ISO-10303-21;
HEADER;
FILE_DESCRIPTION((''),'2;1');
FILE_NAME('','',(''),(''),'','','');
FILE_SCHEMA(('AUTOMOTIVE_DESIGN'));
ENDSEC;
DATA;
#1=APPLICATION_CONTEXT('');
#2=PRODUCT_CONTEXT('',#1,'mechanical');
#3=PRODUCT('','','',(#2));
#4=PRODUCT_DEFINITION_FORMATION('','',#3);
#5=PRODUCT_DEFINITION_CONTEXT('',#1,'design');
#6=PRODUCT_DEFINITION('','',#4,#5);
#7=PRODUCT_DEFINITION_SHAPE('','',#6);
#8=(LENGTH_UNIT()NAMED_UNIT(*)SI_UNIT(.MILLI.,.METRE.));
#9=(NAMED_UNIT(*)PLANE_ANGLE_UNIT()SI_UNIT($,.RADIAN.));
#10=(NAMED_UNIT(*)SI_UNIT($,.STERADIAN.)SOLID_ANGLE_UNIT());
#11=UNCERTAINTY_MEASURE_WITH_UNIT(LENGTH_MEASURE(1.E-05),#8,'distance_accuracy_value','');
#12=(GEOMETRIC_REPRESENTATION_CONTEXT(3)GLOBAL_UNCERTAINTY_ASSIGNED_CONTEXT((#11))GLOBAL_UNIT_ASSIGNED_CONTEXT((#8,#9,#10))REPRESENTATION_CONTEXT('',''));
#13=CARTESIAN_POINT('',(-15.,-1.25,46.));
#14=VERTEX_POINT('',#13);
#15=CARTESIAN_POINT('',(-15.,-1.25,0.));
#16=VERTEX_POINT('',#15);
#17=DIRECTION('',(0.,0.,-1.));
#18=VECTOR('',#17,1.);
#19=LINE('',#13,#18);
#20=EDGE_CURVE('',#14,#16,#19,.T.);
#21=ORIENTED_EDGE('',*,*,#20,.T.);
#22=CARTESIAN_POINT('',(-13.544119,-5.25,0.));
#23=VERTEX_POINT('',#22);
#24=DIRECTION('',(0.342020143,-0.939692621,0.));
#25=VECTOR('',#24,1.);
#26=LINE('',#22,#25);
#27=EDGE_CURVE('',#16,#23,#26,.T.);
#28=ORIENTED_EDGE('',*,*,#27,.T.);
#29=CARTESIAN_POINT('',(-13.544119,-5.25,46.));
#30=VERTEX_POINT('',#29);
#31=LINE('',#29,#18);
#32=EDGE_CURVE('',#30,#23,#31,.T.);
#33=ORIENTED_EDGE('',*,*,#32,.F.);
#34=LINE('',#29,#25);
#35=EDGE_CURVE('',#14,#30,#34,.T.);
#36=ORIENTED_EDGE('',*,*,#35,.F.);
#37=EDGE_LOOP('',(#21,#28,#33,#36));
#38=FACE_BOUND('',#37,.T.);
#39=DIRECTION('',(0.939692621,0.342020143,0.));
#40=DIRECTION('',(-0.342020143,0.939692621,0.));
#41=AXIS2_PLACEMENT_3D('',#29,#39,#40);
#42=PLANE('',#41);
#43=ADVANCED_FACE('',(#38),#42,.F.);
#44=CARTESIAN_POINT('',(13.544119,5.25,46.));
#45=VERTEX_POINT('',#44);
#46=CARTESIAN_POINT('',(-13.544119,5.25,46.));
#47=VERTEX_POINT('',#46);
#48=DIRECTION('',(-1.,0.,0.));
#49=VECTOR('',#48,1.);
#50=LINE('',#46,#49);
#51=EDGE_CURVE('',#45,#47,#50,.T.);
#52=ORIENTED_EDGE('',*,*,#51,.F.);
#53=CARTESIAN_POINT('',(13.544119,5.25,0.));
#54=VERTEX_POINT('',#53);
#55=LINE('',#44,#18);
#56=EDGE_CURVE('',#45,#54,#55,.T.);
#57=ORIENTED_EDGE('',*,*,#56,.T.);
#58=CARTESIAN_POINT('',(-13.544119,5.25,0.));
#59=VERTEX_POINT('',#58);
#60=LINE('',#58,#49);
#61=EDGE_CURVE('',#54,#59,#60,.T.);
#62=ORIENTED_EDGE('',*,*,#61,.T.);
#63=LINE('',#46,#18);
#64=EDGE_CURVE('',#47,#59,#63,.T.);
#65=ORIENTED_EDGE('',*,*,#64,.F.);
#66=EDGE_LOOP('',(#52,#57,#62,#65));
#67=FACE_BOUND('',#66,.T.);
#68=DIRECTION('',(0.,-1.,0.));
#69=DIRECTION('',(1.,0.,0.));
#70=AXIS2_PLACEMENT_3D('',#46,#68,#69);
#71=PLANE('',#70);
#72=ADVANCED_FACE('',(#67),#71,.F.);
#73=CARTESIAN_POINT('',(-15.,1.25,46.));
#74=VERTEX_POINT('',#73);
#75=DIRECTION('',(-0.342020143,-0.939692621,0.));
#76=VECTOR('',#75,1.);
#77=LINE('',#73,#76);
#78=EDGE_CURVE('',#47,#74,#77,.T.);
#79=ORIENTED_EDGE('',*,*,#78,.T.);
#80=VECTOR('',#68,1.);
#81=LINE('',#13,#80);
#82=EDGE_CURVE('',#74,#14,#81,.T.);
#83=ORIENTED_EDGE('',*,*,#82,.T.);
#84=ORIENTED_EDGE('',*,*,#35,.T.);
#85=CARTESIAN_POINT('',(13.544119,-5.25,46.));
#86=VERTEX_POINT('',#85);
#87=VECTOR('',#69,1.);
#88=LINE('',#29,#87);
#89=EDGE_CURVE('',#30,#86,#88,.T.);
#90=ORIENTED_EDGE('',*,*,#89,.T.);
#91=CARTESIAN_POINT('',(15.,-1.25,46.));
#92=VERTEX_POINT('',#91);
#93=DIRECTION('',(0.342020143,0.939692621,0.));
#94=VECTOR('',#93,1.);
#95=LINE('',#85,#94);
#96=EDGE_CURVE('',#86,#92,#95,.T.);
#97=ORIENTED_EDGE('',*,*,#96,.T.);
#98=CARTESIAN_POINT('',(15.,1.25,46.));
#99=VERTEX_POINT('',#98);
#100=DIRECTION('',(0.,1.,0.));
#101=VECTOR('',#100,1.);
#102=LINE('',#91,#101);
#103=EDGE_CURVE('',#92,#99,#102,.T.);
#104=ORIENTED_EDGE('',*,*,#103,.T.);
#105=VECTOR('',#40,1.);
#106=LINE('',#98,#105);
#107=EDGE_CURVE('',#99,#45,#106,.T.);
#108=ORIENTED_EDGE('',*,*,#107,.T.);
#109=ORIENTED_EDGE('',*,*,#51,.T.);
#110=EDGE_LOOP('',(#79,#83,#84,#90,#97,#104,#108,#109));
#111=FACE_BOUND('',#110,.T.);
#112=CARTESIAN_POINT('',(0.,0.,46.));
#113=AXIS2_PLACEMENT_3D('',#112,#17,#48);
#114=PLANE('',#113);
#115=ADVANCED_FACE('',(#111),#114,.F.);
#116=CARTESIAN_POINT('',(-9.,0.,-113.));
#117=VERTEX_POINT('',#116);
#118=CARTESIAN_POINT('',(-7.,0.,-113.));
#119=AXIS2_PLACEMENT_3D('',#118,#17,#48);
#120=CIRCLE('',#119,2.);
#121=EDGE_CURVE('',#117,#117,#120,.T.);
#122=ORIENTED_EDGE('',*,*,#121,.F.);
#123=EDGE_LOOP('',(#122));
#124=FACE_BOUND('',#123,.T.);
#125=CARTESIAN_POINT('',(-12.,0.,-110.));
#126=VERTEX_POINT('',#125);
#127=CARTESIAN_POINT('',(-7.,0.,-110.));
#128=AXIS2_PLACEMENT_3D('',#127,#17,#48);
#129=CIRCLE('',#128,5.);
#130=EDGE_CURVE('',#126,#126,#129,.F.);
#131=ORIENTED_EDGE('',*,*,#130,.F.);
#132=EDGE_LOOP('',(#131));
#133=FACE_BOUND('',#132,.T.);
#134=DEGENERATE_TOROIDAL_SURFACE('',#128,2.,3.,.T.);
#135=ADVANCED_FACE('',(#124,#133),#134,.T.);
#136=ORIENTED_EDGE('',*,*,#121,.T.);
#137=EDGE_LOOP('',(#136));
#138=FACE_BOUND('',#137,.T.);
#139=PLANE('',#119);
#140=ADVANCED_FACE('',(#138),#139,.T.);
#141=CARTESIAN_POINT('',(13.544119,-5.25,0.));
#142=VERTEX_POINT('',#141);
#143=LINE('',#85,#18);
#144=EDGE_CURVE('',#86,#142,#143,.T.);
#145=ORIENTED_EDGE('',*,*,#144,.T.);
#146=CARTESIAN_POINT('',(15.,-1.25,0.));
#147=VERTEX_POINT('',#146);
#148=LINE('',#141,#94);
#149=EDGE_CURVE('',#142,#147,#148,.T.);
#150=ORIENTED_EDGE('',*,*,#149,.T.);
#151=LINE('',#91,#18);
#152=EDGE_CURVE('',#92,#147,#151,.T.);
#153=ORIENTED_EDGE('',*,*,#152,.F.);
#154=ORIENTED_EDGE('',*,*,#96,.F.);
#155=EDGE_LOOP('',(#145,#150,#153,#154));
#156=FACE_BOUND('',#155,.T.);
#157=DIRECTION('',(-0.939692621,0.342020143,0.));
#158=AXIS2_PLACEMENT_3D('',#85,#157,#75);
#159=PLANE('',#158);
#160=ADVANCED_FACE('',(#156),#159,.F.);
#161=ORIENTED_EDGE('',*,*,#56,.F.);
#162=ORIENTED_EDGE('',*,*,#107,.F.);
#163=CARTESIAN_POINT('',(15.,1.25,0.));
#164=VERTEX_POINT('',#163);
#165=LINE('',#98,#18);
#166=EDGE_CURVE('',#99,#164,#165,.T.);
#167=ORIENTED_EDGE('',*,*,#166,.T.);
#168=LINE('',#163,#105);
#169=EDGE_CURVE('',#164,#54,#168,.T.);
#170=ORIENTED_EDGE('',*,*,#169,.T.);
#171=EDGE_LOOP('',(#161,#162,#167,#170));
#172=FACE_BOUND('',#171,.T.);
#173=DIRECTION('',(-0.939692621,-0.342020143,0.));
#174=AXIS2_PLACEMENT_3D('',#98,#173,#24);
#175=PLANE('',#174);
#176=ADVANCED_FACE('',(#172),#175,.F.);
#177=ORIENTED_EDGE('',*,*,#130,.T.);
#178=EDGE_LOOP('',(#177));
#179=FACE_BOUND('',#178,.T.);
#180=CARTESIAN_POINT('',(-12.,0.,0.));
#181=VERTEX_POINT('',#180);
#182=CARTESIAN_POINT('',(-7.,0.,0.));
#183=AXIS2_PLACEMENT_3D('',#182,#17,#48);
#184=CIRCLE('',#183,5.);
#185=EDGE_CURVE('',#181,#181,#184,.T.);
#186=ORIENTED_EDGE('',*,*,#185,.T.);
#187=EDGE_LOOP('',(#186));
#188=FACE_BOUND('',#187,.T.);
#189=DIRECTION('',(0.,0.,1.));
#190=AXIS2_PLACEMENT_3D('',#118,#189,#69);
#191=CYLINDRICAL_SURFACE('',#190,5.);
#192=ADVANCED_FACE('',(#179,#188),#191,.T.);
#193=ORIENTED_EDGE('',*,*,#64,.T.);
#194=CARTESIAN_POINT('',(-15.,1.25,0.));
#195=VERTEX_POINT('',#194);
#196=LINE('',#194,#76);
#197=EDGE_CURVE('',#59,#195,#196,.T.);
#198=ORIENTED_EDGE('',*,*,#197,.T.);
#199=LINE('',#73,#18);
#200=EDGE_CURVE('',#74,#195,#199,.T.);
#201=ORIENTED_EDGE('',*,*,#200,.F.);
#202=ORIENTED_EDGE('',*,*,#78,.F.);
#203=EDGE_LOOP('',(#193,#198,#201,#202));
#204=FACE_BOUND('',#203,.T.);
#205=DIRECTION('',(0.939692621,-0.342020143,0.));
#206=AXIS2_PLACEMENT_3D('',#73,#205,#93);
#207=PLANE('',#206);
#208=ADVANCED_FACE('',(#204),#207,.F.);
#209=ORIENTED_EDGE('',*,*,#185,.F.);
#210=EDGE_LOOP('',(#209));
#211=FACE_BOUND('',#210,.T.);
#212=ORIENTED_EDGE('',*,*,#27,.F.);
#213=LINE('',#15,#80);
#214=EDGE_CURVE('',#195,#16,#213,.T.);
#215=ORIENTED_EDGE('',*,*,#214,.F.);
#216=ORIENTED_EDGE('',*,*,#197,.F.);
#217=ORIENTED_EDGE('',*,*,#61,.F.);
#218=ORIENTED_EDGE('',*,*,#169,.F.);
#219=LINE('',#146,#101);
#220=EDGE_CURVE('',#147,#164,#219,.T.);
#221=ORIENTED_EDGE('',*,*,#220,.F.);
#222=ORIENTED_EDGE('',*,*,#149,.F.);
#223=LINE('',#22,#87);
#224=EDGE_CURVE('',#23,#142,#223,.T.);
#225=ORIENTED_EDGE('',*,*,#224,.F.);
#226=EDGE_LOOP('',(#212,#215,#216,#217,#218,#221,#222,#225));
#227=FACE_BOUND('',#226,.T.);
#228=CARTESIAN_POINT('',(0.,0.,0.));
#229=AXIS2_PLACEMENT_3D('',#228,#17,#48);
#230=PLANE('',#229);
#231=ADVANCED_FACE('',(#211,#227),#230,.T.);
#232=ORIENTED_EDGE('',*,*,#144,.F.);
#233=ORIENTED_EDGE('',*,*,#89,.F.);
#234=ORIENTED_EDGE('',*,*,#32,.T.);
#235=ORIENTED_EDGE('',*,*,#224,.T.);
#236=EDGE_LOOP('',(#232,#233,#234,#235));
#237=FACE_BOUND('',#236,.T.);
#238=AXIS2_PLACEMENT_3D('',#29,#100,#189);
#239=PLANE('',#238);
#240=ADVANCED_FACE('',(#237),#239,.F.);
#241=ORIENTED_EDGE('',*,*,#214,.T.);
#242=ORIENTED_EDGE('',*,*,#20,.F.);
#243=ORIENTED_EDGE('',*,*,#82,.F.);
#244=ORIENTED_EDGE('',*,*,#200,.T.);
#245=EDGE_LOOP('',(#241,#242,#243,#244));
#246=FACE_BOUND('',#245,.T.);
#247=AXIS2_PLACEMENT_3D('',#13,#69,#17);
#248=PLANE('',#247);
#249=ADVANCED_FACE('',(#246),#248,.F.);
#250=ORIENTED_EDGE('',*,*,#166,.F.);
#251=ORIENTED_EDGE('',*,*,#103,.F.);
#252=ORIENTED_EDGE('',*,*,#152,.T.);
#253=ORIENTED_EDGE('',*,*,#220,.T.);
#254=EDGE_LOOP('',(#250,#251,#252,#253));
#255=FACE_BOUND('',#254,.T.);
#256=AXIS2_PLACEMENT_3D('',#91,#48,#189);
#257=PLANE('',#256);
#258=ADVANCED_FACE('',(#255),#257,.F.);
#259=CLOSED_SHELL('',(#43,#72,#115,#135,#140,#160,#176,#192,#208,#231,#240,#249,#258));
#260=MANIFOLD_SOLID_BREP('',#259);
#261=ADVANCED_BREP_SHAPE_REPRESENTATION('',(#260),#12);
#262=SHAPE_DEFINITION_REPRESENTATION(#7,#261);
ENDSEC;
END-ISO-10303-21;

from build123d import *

# Parameters (mm, degrees)
EXTRUDE_1_DEPTH = 46
SKETCH_2_R      = 5
EXTRUDE_2_DEPTH = 113
FILLET_1_R      = 3


with BuildPart() as part:
    # 草圖1 → 填料-伸長1 (new body)
    with BuildSketch(Plane.XY):
        Polygon((-15, 1.25), (-13.544119063, 5.25), (13.544119063, 5.25), (15, 1.25), (15, -1.25), (13.544119063, -5.25), (-13.544119063, -5.25), (-15, -1.25), align=None)
    extrude(amount=EXTRUDE_1_DEPTH)

    # 草圖2 → 填料-伸長2 (add)
    with BuildSketch(Plane(origin=(0, 0, 0), x_dir=(-1, 0, 0), z_dir=(0, 0, -1))):
        with Locations((7, 0)):
            Circle(SKETCH_2_R)
    extrude(amount=EXTRUDE_2_DEPTH)

    # 圓角1
    fillet_1_edges = [part.edges().sort_by_distance(p)[0] for p in [
        (-2, 0, -113),
    ]]
    fillet(fillet_1_edges, radius=FILLET_1_R)


solid = part.part
